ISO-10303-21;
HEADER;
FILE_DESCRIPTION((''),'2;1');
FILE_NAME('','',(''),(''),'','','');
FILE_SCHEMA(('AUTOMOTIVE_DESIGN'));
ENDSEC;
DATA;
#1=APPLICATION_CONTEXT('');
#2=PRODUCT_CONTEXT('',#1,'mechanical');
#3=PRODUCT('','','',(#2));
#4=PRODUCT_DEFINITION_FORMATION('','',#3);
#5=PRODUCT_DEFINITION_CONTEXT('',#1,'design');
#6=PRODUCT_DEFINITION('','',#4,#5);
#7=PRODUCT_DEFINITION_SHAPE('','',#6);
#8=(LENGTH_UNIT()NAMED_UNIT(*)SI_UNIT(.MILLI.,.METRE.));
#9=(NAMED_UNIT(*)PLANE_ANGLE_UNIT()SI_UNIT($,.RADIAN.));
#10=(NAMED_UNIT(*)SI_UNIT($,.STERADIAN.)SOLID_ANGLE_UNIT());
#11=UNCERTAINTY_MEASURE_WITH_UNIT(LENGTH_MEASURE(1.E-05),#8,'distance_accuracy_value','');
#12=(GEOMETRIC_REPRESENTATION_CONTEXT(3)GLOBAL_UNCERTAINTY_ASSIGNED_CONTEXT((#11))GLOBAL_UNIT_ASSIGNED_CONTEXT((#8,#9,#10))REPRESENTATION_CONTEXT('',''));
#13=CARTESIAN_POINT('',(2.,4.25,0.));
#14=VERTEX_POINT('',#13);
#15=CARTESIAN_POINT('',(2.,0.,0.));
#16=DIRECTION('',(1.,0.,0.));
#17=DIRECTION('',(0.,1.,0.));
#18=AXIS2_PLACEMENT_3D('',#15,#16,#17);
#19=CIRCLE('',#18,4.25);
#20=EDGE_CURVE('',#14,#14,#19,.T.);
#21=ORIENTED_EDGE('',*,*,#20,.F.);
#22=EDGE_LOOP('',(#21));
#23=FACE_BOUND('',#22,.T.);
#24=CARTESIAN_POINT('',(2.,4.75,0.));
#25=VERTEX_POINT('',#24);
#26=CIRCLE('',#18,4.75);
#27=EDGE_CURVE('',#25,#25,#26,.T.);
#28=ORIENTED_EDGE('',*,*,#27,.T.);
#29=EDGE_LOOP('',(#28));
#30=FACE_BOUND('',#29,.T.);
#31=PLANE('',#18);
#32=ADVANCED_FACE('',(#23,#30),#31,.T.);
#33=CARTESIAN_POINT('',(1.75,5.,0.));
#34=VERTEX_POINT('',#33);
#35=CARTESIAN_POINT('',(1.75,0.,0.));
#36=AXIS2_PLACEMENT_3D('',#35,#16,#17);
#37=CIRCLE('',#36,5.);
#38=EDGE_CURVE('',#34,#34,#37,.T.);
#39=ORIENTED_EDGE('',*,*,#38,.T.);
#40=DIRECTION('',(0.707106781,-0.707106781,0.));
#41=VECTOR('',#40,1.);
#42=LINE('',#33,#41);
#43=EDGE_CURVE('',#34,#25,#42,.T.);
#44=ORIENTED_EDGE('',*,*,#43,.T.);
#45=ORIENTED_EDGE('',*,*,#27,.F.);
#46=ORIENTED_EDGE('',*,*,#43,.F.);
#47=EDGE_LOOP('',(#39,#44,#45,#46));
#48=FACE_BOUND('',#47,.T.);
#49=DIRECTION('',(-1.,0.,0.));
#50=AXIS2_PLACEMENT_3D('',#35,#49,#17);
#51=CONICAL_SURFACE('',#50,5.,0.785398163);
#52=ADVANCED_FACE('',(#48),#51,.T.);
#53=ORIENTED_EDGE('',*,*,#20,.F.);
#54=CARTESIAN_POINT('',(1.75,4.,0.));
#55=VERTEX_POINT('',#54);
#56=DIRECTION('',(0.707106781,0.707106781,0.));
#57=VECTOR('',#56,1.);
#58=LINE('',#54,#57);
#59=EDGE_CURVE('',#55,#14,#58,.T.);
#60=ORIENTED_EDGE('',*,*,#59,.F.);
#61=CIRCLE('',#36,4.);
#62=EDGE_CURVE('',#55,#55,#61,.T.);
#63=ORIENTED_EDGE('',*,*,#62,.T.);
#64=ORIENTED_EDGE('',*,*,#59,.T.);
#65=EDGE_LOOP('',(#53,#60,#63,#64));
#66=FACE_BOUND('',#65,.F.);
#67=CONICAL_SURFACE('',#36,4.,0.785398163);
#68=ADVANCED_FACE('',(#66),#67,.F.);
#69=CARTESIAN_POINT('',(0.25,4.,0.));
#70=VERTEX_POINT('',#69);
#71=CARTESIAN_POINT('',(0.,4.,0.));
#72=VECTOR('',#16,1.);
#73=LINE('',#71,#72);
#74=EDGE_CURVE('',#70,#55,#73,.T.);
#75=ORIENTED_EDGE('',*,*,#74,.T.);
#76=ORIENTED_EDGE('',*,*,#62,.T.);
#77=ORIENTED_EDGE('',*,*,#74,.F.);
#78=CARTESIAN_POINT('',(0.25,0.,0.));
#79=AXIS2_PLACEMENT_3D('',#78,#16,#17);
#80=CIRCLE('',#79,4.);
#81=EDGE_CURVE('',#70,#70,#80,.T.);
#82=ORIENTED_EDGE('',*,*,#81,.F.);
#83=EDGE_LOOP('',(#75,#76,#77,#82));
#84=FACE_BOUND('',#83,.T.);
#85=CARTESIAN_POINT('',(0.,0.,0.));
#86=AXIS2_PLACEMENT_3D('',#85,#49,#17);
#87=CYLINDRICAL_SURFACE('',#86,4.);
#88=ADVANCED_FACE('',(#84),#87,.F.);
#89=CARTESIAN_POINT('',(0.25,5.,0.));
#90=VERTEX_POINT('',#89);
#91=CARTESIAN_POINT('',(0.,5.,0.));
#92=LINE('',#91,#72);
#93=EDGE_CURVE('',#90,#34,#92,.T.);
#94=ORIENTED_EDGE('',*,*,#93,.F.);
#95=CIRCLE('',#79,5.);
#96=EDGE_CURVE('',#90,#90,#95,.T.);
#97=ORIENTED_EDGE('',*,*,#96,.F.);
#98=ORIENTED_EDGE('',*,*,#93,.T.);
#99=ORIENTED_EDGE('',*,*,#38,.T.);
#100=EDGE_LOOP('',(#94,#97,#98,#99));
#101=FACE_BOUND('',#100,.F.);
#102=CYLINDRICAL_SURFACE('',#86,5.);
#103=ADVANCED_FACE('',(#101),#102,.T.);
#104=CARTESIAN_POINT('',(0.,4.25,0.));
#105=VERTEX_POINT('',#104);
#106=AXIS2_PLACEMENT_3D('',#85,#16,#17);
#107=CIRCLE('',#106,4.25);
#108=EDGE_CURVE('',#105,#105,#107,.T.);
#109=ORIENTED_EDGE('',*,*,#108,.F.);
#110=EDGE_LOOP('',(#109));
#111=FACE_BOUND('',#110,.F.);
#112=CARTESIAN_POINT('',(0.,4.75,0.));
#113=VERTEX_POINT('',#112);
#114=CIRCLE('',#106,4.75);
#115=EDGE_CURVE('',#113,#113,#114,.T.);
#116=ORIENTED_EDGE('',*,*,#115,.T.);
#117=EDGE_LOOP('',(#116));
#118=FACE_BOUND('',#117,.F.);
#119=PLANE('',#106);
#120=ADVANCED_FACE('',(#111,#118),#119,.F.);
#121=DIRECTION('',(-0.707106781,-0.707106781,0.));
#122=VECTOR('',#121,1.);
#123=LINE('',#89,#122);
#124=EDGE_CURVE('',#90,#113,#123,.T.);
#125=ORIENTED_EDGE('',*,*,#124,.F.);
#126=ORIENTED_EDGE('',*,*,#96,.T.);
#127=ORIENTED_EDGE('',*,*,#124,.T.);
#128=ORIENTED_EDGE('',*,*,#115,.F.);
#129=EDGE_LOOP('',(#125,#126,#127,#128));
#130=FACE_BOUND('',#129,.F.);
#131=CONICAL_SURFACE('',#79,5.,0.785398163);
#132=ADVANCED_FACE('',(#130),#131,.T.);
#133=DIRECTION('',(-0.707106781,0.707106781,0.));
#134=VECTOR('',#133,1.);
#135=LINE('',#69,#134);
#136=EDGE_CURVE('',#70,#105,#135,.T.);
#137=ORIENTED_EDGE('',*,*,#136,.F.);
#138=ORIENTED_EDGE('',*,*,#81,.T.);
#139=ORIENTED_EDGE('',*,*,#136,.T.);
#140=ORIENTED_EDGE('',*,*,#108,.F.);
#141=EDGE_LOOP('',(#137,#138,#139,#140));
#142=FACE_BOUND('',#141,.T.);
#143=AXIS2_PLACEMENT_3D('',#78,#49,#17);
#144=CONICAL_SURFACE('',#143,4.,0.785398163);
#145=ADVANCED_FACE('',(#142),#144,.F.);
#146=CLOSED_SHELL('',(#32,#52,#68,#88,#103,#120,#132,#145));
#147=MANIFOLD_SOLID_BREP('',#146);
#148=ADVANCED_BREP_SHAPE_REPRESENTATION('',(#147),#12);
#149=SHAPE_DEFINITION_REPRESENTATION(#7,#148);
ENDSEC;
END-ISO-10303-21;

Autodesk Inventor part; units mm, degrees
ref_plane "YZ Plane" through (0, 0, 0) normal (1, 0, 0) x (0, 1, 0)
ref_plane "XZ Plane" through (0, 0, 0) normal (0, 1, 0) x (-1, 0, 0)
ref_plane "XY Plane" through (0, 0, 0) normal (0, 0, 1) x (1, 0, 0)
sketch "Sketch1" plane through (0, 0, 0) normal (1, 0, 0) x (0, 1, 0)
  circle A0 centre (0, 0) radius 4
  circle A1 centre (0, 0) radius 5
  dimension "d0" = 8
  dimension "d1" = 10
extrude "Extrusion1" add sketch "Sketch1" along normal blind 2
chamfer "Chamfer1" distance 0.25 angle 45 4 edges at (2, -5, 0) (0, -5, 0) (0, -4, 0) (2, -4, 0)
thread "Thread1" size "M8x0.5" class "6H" standard "ANSI Metric M Profile" length 10
properties part number "Component 30(Intake Pipe Ring)"
